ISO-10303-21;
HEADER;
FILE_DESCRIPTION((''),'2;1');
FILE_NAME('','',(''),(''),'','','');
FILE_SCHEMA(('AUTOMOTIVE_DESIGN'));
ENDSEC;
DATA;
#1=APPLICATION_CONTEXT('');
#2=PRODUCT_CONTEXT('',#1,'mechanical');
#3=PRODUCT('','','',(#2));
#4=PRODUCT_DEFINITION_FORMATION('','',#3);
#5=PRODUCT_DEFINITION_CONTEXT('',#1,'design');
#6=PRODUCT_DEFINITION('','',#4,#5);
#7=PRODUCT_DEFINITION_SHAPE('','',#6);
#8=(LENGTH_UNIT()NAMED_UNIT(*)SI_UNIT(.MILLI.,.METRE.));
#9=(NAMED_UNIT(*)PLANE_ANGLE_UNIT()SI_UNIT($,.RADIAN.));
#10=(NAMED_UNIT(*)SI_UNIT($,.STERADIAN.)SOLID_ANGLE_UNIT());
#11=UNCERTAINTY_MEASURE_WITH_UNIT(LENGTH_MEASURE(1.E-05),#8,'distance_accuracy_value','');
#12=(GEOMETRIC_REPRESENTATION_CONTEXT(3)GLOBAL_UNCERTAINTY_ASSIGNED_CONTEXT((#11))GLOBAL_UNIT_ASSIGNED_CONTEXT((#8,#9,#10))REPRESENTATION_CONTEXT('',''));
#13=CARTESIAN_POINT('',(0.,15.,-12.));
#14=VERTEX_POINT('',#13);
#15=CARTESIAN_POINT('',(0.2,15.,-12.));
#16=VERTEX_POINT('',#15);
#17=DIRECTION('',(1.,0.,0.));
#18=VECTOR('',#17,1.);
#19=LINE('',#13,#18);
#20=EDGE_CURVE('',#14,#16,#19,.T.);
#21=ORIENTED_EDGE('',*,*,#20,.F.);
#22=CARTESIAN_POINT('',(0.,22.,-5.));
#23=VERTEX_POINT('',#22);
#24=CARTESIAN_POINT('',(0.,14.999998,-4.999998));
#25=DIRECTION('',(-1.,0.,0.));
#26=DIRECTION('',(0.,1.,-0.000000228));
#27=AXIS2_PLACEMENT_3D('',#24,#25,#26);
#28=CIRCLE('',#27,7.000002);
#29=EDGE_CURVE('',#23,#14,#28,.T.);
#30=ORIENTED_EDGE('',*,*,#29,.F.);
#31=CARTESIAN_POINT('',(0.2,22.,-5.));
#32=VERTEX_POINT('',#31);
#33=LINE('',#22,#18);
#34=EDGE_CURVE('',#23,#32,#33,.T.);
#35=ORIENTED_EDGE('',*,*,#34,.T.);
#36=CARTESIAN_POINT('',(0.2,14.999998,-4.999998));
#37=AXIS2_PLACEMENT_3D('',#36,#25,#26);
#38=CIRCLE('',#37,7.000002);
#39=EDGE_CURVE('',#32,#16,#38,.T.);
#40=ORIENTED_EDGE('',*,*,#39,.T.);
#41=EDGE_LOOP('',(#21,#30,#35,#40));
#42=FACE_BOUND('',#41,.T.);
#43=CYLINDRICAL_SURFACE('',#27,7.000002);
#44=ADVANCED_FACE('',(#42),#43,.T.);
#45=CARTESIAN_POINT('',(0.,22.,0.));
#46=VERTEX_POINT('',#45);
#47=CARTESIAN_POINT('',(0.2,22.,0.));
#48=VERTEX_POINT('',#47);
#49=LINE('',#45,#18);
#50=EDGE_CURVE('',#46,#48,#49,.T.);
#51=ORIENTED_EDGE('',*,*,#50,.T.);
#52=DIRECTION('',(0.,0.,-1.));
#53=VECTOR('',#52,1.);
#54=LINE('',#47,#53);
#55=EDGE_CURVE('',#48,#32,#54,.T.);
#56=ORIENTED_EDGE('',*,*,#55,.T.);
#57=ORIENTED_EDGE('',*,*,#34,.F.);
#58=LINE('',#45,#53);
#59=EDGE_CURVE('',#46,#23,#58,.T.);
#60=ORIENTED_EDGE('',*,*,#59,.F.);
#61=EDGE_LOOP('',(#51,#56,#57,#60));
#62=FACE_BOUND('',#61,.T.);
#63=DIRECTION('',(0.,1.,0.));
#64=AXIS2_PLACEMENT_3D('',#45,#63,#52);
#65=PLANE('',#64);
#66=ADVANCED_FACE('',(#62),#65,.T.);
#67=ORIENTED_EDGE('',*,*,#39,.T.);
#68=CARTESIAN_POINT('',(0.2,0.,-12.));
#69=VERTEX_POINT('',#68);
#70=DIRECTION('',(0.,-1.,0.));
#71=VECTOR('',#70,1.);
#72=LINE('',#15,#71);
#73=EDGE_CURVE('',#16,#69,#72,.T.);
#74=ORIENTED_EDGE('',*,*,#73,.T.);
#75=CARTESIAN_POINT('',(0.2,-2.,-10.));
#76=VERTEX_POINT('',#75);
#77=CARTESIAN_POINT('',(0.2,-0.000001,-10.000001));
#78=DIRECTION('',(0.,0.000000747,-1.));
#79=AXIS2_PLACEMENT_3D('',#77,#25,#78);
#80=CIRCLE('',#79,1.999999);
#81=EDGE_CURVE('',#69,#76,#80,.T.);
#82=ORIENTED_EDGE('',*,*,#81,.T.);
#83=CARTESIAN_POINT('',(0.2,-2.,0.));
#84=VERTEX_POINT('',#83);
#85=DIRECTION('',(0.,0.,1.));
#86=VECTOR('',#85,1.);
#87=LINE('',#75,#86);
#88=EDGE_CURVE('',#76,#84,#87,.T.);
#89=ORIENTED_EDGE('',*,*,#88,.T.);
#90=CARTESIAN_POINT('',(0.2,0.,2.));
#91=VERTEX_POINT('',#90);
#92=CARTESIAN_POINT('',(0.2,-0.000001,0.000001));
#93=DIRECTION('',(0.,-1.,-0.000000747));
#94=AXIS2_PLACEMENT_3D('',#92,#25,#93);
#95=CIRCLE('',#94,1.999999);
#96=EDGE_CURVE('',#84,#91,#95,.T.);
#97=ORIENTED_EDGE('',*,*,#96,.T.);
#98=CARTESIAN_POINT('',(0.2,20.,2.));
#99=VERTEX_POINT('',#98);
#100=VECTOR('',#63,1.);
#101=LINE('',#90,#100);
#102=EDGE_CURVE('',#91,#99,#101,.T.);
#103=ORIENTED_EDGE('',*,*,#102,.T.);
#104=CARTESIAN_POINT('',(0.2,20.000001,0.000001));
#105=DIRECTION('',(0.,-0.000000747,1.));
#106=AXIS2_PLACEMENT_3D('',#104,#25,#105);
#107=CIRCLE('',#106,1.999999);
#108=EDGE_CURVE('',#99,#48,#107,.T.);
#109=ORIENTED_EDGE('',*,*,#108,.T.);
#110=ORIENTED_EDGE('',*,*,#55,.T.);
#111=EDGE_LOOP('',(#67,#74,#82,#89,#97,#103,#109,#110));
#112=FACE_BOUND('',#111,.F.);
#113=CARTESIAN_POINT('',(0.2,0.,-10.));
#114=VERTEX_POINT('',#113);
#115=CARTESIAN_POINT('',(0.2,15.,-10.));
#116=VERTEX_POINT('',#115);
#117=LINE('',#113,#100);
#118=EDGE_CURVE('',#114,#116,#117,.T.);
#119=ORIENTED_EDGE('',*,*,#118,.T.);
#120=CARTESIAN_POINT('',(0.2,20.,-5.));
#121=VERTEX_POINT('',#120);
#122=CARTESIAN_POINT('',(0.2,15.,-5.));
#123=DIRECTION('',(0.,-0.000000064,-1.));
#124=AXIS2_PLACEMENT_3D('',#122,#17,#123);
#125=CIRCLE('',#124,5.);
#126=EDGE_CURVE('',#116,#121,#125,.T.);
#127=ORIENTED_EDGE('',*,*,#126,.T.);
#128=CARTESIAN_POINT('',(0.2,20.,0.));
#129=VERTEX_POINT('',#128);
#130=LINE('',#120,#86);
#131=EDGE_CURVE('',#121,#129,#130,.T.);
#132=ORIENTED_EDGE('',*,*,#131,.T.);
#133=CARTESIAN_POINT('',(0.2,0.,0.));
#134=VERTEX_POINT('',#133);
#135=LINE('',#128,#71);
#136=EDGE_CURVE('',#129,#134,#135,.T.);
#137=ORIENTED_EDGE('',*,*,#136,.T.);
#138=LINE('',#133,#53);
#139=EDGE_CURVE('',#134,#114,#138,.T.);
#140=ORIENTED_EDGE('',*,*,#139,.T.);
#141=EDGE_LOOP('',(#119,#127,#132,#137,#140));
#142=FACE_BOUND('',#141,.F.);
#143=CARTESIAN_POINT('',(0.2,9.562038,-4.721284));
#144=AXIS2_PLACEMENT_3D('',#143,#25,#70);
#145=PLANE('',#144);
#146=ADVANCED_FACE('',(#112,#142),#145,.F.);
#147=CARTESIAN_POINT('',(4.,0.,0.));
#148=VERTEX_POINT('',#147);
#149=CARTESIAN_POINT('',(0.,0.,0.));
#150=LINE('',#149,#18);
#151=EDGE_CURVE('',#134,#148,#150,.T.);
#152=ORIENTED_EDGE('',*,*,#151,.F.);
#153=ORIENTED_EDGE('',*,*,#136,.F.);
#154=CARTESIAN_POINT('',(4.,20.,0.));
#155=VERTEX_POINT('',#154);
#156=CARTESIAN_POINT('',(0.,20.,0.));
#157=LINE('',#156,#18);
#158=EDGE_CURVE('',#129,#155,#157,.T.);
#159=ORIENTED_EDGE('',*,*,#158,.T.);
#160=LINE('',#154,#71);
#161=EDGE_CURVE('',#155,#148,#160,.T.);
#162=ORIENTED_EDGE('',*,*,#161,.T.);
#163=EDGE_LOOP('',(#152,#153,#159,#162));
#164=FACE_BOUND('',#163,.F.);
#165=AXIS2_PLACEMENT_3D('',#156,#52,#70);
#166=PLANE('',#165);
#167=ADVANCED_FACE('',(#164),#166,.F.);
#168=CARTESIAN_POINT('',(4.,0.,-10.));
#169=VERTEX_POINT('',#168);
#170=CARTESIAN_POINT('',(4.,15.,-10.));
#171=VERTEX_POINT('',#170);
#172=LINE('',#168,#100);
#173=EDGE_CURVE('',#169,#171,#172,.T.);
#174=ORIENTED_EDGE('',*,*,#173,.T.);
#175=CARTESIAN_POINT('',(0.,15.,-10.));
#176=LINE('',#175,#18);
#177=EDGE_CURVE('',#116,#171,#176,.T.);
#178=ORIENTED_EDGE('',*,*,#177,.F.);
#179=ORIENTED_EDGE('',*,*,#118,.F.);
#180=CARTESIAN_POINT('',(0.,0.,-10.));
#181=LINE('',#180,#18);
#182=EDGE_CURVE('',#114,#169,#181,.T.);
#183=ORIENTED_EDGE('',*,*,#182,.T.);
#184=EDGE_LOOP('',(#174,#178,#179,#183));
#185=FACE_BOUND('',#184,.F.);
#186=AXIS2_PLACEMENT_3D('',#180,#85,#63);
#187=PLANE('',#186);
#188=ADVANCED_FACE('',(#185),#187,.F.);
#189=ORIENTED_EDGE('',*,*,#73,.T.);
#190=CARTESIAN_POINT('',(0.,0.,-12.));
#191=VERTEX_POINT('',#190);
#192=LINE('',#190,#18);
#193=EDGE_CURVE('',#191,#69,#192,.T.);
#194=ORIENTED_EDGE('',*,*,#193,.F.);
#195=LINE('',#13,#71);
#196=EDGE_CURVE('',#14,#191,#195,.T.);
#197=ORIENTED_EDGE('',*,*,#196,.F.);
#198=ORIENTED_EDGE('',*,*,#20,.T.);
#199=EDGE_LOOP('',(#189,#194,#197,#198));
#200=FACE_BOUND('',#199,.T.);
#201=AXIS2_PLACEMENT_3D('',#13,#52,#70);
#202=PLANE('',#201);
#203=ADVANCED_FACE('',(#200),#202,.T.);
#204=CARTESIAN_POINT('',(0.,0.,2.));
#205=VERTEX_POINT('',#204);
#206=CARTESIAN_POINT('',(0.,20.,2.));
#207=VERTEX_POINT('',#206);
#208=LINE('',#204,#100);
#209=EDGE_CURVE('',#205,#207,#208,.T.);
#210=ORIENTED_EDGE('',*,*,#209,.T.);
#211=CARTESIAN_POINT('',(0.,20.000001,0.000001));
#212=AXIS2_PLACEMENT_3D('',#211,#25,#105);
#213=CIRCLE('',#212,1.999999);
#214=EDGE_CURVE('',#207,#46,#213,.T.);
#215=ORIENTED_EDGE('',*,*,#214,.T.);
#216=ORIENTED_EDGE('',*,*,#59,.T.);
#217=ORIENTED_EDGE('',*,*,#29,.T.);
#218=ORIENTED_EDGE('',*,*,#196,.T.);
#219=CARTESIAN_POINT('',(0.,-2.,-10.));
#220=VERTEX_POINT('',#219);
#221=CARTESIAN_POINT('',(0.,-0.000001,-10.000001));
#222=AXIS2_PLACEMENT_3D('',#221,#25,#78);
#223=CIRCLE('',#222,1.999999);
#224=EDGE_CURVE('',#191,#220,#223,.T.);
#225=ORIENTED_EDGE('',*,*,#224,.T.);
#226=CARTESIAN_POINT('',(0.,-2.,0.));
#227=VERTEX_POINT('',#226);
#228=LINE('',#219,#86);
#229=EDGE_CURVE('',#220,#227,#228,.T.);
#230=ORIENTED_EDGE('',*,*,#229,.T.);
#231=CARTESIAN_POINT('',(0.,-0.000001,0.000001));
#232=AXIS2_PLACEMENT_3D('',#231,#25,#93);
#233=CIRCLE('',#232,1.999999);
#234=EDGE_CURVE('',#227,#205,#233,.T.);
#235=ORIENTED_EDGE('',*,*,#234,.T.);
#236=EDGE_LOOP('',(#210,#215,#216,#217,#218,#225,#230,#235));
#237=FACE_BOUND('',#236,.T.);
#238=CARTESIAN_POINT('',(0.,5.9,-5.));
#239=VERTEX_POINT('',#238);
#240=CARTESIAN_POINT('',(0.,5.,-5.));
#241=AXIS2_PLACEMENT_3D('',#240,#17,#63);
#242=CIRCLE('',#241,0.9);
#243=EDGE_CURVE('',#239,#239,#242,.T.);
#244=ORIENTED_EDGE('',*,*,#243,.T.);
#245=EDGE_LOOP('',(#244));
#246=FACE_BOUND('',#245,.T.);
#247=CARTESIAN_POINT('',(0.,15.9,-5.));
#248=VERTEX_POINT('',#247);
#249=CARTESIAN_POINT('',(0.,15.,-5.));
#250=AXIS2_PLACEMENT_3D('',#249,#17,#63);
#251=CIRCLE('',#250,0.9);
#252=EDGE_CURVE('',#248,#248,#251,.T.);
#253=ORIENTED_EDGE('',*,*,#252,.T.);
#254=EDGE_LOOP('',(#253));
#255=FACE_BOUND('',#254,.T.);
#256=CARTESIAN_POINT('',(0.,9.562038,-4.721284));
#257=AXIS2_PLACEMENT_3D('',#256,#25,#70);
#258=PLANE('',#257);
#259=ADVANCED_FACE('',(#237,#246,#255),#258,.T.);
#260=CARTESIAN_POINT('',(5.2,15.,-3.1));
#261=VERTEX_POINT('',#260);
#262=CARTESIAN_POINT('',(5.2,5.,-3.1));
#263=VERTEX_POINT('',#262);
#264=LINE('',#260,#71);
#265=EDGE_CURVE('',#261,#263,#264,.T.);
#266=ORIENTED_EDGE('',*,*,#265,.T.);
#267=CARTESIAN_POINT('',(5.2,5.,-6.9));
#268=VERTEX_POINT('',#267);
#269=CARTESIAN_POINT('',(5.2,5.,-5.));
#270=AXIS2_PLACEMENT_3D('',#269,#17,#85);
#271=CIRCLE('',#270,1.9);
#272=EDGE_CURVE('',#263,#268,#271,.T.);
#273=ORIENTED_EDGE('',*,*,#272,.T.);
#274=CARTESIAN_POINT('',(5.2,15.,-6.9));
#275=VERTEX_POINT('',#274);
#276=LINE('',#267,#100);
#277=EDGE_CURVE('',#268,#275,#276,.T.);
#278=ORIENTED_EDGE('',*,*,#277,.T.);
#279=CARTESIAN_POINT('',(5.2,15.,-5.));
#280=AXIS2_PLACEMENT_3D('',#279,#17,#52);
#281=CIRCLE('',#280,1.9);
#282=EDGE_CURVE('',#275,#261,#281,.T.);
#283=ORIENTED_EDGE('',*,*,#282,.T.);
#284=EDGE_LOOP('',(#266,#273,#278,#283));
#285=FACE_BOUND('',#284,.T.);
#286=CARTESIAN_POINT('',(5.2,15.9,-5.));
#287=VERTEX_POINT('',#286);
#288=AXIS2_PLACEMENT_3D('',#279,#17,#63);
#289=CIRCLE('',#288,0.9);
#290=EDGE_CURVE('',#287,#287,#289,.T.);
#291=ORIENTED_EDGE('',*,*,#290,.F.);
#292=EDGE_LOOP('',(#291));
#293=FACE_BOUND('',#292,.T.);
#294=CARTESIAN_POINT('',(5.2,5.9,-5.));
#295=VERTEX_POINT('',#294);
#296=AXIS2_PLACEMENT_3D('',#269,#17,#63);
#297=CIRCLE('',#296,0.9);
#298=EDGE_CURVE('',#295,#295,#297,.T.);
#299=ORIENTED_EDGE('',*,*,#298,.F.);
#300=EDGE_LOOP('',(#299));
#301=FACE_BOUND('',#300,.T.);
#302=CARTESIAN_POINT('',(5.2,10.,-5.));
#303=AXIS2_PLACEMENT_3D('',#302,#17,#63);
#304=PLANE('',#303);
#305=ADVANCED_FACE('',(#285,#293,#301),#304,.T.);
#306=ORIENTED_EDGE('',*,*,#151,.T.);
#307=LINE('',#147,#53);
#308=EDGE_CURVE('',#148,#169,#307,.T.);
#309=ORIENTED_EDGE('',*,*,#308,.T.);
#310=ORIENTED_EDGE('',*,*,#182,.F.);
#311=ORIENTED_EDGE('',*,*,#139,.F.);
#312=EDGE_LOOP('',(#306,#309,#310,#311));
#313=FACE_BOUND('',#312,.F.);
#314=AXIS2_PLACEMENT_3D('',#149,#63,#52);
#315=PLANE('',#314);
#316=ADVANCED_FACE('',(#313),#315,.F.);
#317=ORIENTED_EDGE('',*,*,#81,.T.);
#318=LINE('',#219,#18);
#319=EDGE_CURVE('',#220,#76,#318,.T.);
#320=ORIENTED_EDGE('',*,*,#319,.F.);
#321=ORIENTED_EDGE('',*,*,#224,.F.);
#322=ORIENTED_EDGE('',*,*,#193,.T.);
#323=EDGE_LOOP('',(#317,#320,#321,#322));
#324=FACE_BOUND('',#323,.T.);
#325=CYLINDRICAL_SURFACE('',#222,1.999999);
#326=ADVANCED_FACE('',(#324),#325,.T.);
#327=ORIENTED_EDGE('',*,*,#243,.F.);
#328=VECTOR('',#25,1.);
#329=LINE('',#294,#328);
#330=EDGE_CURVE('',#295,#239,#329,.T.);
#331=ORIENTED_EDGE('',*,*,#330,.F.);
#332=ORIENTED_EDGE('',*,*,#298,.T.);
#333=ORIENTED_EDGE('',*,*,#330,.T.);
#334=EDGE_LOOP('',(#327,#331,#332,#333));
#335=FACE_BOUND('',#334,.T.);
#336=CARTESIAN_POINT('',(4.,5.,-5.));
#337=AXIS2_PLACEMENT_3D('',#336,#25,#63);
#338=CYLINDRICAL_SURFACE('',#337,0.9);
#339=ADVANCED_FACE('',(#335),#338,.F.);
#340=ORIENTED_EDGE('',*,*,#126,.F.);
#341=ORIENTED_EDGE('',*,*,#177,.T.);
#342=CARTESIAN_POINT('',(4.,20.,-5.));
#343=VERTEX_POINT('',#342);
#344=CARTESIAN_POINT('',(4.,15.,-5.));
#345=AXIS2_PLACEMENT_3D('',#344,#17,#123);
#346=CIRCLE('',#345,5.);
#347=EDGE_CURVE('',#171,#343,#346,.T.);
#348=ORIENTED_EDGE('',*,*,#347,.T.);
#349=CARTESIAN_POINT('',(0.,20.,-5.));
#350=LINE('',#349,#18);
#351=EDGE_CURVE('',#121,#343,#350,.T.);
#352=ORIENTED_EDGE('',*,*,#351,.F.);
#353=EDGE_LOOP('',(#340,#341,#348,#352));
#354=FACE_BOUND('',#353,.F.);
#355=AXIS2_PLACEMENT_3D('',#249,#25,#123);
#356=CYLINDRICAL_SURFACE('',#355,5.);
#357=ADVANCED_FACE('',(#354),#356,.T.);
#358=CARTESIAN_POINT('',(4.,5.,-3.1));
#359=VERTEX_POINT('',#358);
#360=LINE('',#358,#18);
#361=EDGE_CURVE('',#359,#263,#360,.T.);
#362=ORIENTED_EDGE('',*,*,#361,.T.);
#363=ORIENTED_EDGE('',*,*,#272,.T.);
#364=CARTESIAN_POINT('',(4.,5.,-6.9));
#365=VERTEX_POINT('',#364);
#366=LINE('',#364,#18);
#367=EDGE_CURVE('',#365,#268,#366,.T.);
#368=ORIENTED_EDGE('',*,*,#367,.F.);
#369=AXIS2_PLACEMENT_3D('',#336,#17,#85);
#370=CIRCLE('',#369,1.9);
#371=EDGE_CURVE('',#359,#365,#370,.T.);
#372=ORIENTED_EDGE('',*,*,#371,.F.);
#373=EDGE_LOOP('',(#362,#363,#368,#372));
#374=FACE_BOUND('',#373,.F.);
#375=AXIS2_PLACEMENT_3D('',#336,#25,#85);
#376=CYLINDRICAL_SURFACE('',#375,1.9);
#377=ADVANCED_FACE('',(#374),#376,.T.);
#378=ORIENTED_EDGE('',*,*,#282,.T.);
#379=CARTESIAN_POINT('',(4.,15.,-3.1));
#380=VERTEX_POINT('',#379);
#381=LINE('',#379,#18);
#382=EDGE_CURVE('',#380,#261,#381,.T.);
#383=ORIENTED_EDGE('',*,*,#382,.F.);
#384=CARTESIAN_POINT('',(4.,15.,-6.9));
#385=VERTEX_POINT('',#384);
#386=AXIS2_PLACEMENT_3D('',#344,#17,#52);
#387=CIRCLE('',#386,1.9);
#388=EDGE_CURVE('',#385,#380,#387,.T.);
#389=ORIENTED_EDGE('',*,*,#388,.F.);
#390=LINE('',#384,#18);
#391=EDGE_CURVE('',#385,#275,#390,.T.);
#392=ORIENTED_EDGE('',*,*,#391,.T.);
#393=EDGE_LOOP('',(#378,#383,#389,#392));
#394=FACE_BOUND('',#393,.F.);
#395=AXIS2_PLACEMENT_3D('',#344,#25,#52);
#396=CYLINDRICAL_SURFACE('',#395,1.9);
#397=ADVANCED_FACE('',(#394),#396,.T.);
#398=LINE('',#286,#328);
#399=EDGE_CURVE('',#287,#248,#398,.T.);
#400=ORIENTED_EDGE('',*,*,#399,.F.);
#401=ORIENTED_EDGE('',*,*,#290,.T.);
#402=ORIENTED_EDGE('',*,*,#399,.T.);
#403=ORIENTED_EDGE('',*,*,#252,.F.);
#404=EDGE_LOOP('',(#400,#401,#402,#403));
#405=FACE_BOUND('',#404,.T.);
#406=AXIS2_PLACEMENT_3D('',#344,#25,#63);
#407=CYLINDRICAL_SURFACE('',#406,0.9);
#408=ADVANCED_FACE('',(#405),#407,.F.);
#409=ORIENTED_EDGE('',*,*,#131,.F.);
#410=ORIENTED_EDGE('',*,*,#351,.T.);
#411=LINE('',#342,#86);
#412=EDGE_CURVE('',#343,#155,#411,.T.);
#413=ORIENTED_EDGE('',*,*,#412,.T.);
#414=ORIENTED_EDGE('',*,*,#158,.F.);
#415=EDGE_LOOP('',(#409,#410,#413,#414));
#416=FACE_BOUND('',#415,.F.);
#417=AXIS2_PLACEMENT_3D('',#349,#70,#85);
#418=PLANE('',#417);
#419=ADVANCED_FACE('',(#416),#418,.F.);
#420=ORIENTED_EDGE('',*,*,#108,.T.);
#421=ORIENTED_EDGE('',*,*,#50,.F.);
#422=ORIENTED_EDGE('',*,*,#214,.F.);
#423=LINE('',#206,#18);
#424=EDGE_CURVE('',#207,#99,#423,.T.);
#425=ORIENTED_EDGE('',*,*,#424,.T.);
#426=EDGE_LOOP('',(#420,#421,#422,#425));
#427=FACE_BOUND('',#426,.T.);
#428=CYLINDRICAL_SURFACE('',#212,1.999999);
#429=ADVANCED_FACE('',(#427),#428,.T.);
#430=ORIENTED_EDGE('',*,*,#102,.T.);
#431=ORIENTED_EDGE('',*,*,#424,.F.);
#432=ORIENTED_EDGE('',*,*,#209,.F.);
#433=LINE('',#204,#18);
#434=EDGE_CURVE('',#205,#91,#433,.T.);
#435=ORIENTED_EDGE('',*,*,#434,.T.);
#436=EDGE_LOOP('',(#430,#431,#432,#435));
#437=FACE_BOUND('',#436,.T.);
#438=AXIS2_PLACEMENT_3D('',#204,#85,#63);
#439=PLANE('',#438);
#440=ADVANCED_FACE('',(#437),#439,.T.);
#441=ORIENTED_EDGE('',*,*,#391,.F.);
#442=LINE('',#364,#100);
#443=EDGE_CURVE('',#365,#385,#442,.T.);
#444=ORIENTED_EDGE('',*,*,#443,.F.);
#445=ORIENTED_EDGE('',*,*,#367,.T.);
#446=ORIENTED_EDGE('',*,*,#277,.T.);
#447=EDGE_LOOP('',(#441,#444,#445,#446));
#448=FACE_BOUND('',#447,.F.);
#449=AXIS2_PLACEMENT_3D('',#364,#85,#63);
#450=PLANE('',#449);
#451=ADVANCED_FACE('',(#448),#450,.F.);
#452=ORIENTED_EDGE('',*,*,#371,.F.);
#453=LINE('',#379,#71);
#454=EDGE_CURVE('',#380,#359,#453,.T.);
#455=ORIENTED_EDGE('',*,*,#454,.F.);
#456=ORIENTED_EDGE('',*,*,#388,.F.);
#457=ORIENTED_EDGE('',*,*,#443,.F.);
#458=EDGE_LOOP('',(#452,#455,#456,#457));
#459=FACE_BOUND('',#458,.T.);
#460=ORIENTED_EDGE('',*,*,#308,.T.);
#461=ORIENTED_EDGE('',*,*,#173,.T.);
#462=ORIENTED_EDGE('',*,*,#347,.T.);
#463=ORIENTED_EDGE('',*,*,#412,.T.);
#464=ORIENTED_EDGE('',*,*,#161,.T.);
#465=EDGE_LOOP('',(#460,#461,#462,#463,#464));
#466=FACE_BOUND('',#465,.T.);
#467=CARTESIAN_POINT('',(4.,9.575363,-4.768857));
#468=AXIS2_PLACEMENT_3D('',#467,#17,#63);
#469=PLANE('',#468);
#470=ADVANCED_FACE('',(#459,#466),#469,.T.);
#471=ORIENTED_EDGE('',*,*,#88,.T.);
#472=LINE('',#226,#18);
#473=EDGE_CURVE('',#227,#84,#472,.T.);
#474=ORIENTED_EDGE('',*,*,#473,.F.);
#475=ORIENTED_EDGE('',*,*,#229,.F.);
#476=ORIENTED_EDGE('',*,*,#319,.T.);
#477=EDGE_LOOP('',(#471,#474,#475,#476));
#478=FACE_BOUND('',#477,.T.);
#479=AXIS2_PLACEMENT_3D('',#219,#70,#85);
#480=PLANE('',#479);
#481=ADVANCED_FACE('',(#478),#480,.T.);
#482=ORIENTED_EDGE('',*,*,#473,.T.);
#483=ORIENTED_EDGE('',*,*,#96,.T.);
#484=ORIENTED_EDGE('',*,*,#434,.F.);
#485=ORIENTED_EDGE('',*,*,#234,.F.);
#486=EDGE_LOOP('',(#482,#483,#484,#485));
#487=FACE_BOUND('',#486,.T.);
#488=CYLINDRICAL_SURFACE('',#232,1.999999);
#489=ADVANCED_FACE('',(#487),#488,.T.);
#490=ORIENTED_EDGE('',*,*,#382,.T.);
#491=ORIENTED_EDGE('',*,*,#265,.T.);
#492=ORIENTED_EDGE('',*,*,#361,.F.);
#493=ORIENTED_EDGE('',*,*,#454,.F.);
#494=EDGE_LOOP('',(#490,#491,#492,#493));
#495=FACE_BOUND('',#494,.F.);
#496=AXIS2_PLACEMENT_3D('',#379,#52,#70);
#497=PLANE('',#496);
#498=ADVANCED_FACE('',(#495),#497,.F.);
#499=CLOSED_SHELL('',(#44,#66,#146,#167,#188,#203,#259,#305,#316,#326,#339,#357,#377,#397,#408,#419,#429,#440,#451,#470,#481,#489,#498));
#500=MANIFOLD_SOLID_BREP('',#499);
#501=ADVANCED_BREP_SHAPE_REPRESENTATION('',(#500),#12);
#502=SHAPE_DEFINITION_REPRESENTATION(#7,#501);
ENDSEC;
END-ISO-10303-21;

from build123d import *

# Parameters (mm, degrees)
F0_R     = 0.9
F1_DEPTH = 4
F2_R     = 0.9
F3_DEPTH = 1.2
F5_DEPTH = 0.2


with BuildPart() as f1:
    # F0 (on Right) → F1 (new body)
    with BuildSketch(Plane.YZ):
        with BuildLine():
            Line((20, 0), (0, 0))
            Line((0, 0), (0, -10))
            Line((0, -10), (15, -10))
            ThreePointArc((15, -10), (18.535534, -8.535534), (20, -5))
            Line((20, -5), (20, 0))
        make_face()
        with Locations((5, -5)):
            Circle(F0_R, mode=Mode.SUBTRACT)
        with Locations((15, -5)):
            Circle(F0_R, mode=Mode.SUBTRACT)
    extrude(amount=F1_DEPTH)

    # F2 (on face) → F3 (join)
    with BuildSketch(Plane.YZ.offset(4)):
        with BuildLine():
            Line((15, -3.1), (5, -3.1))
            ThreePointArc((5, -3.1), (3.1, -5), (5, -6.9))
            Line((5, -6.9), (15, -6.9))
            ThreePointArc((15, -6.9), (16.9, -5), (15, -3.1))
        make_face()
        with Locations((5, -5)):
            Circle(F2_R, mode=Mode.SUBTRACT)
        with Locations((15, -5)):
            Circle(F2_R, mode=Mode.SUBTRACT)
    extrude(amount=F3_DEPTH)

    # F4 (on face) → F5 (join)
    with BuildSketch(Plane(origin=(0, 0, 0), x_dir=(0, -1, 0), z_dir=(-1, 0, 0))):
        with BuildLine():
            ThreePointArc((-20, 2), (-21.414214, 1.414214), (-22, 0))
            Line((-22, 0), (-22, -5))
            ThreePointArc((-22, -5), (-19.949747, -9.949747), (-15, -12))
            Line((-15, -12), (0, -12))
            ThreePointArc((0, -12), (1.414214, -11.414214), (2, -10))
            Line((2, -10), (2, 0))
            ThreePointArc((2, 0), (1.414214, 1.414214), (0, 2))
            Line((0, 2), (-20, 2))
        make_face()
        with BuildLine():
            Line((-20, -5), (-20, 0))
            Line((-20, 0), (0, 0))
            Line((0, 0), (0, -10))
            Line((0, -10), (-15, -10))
            ThreePointArc((-15, -10), (-18.535534, -8.535534), (-20, -5))
        make_face(mode=Mode.SUBTRACT)
    extrude(amount=-F5_DEPTH)


solid = f1.part
